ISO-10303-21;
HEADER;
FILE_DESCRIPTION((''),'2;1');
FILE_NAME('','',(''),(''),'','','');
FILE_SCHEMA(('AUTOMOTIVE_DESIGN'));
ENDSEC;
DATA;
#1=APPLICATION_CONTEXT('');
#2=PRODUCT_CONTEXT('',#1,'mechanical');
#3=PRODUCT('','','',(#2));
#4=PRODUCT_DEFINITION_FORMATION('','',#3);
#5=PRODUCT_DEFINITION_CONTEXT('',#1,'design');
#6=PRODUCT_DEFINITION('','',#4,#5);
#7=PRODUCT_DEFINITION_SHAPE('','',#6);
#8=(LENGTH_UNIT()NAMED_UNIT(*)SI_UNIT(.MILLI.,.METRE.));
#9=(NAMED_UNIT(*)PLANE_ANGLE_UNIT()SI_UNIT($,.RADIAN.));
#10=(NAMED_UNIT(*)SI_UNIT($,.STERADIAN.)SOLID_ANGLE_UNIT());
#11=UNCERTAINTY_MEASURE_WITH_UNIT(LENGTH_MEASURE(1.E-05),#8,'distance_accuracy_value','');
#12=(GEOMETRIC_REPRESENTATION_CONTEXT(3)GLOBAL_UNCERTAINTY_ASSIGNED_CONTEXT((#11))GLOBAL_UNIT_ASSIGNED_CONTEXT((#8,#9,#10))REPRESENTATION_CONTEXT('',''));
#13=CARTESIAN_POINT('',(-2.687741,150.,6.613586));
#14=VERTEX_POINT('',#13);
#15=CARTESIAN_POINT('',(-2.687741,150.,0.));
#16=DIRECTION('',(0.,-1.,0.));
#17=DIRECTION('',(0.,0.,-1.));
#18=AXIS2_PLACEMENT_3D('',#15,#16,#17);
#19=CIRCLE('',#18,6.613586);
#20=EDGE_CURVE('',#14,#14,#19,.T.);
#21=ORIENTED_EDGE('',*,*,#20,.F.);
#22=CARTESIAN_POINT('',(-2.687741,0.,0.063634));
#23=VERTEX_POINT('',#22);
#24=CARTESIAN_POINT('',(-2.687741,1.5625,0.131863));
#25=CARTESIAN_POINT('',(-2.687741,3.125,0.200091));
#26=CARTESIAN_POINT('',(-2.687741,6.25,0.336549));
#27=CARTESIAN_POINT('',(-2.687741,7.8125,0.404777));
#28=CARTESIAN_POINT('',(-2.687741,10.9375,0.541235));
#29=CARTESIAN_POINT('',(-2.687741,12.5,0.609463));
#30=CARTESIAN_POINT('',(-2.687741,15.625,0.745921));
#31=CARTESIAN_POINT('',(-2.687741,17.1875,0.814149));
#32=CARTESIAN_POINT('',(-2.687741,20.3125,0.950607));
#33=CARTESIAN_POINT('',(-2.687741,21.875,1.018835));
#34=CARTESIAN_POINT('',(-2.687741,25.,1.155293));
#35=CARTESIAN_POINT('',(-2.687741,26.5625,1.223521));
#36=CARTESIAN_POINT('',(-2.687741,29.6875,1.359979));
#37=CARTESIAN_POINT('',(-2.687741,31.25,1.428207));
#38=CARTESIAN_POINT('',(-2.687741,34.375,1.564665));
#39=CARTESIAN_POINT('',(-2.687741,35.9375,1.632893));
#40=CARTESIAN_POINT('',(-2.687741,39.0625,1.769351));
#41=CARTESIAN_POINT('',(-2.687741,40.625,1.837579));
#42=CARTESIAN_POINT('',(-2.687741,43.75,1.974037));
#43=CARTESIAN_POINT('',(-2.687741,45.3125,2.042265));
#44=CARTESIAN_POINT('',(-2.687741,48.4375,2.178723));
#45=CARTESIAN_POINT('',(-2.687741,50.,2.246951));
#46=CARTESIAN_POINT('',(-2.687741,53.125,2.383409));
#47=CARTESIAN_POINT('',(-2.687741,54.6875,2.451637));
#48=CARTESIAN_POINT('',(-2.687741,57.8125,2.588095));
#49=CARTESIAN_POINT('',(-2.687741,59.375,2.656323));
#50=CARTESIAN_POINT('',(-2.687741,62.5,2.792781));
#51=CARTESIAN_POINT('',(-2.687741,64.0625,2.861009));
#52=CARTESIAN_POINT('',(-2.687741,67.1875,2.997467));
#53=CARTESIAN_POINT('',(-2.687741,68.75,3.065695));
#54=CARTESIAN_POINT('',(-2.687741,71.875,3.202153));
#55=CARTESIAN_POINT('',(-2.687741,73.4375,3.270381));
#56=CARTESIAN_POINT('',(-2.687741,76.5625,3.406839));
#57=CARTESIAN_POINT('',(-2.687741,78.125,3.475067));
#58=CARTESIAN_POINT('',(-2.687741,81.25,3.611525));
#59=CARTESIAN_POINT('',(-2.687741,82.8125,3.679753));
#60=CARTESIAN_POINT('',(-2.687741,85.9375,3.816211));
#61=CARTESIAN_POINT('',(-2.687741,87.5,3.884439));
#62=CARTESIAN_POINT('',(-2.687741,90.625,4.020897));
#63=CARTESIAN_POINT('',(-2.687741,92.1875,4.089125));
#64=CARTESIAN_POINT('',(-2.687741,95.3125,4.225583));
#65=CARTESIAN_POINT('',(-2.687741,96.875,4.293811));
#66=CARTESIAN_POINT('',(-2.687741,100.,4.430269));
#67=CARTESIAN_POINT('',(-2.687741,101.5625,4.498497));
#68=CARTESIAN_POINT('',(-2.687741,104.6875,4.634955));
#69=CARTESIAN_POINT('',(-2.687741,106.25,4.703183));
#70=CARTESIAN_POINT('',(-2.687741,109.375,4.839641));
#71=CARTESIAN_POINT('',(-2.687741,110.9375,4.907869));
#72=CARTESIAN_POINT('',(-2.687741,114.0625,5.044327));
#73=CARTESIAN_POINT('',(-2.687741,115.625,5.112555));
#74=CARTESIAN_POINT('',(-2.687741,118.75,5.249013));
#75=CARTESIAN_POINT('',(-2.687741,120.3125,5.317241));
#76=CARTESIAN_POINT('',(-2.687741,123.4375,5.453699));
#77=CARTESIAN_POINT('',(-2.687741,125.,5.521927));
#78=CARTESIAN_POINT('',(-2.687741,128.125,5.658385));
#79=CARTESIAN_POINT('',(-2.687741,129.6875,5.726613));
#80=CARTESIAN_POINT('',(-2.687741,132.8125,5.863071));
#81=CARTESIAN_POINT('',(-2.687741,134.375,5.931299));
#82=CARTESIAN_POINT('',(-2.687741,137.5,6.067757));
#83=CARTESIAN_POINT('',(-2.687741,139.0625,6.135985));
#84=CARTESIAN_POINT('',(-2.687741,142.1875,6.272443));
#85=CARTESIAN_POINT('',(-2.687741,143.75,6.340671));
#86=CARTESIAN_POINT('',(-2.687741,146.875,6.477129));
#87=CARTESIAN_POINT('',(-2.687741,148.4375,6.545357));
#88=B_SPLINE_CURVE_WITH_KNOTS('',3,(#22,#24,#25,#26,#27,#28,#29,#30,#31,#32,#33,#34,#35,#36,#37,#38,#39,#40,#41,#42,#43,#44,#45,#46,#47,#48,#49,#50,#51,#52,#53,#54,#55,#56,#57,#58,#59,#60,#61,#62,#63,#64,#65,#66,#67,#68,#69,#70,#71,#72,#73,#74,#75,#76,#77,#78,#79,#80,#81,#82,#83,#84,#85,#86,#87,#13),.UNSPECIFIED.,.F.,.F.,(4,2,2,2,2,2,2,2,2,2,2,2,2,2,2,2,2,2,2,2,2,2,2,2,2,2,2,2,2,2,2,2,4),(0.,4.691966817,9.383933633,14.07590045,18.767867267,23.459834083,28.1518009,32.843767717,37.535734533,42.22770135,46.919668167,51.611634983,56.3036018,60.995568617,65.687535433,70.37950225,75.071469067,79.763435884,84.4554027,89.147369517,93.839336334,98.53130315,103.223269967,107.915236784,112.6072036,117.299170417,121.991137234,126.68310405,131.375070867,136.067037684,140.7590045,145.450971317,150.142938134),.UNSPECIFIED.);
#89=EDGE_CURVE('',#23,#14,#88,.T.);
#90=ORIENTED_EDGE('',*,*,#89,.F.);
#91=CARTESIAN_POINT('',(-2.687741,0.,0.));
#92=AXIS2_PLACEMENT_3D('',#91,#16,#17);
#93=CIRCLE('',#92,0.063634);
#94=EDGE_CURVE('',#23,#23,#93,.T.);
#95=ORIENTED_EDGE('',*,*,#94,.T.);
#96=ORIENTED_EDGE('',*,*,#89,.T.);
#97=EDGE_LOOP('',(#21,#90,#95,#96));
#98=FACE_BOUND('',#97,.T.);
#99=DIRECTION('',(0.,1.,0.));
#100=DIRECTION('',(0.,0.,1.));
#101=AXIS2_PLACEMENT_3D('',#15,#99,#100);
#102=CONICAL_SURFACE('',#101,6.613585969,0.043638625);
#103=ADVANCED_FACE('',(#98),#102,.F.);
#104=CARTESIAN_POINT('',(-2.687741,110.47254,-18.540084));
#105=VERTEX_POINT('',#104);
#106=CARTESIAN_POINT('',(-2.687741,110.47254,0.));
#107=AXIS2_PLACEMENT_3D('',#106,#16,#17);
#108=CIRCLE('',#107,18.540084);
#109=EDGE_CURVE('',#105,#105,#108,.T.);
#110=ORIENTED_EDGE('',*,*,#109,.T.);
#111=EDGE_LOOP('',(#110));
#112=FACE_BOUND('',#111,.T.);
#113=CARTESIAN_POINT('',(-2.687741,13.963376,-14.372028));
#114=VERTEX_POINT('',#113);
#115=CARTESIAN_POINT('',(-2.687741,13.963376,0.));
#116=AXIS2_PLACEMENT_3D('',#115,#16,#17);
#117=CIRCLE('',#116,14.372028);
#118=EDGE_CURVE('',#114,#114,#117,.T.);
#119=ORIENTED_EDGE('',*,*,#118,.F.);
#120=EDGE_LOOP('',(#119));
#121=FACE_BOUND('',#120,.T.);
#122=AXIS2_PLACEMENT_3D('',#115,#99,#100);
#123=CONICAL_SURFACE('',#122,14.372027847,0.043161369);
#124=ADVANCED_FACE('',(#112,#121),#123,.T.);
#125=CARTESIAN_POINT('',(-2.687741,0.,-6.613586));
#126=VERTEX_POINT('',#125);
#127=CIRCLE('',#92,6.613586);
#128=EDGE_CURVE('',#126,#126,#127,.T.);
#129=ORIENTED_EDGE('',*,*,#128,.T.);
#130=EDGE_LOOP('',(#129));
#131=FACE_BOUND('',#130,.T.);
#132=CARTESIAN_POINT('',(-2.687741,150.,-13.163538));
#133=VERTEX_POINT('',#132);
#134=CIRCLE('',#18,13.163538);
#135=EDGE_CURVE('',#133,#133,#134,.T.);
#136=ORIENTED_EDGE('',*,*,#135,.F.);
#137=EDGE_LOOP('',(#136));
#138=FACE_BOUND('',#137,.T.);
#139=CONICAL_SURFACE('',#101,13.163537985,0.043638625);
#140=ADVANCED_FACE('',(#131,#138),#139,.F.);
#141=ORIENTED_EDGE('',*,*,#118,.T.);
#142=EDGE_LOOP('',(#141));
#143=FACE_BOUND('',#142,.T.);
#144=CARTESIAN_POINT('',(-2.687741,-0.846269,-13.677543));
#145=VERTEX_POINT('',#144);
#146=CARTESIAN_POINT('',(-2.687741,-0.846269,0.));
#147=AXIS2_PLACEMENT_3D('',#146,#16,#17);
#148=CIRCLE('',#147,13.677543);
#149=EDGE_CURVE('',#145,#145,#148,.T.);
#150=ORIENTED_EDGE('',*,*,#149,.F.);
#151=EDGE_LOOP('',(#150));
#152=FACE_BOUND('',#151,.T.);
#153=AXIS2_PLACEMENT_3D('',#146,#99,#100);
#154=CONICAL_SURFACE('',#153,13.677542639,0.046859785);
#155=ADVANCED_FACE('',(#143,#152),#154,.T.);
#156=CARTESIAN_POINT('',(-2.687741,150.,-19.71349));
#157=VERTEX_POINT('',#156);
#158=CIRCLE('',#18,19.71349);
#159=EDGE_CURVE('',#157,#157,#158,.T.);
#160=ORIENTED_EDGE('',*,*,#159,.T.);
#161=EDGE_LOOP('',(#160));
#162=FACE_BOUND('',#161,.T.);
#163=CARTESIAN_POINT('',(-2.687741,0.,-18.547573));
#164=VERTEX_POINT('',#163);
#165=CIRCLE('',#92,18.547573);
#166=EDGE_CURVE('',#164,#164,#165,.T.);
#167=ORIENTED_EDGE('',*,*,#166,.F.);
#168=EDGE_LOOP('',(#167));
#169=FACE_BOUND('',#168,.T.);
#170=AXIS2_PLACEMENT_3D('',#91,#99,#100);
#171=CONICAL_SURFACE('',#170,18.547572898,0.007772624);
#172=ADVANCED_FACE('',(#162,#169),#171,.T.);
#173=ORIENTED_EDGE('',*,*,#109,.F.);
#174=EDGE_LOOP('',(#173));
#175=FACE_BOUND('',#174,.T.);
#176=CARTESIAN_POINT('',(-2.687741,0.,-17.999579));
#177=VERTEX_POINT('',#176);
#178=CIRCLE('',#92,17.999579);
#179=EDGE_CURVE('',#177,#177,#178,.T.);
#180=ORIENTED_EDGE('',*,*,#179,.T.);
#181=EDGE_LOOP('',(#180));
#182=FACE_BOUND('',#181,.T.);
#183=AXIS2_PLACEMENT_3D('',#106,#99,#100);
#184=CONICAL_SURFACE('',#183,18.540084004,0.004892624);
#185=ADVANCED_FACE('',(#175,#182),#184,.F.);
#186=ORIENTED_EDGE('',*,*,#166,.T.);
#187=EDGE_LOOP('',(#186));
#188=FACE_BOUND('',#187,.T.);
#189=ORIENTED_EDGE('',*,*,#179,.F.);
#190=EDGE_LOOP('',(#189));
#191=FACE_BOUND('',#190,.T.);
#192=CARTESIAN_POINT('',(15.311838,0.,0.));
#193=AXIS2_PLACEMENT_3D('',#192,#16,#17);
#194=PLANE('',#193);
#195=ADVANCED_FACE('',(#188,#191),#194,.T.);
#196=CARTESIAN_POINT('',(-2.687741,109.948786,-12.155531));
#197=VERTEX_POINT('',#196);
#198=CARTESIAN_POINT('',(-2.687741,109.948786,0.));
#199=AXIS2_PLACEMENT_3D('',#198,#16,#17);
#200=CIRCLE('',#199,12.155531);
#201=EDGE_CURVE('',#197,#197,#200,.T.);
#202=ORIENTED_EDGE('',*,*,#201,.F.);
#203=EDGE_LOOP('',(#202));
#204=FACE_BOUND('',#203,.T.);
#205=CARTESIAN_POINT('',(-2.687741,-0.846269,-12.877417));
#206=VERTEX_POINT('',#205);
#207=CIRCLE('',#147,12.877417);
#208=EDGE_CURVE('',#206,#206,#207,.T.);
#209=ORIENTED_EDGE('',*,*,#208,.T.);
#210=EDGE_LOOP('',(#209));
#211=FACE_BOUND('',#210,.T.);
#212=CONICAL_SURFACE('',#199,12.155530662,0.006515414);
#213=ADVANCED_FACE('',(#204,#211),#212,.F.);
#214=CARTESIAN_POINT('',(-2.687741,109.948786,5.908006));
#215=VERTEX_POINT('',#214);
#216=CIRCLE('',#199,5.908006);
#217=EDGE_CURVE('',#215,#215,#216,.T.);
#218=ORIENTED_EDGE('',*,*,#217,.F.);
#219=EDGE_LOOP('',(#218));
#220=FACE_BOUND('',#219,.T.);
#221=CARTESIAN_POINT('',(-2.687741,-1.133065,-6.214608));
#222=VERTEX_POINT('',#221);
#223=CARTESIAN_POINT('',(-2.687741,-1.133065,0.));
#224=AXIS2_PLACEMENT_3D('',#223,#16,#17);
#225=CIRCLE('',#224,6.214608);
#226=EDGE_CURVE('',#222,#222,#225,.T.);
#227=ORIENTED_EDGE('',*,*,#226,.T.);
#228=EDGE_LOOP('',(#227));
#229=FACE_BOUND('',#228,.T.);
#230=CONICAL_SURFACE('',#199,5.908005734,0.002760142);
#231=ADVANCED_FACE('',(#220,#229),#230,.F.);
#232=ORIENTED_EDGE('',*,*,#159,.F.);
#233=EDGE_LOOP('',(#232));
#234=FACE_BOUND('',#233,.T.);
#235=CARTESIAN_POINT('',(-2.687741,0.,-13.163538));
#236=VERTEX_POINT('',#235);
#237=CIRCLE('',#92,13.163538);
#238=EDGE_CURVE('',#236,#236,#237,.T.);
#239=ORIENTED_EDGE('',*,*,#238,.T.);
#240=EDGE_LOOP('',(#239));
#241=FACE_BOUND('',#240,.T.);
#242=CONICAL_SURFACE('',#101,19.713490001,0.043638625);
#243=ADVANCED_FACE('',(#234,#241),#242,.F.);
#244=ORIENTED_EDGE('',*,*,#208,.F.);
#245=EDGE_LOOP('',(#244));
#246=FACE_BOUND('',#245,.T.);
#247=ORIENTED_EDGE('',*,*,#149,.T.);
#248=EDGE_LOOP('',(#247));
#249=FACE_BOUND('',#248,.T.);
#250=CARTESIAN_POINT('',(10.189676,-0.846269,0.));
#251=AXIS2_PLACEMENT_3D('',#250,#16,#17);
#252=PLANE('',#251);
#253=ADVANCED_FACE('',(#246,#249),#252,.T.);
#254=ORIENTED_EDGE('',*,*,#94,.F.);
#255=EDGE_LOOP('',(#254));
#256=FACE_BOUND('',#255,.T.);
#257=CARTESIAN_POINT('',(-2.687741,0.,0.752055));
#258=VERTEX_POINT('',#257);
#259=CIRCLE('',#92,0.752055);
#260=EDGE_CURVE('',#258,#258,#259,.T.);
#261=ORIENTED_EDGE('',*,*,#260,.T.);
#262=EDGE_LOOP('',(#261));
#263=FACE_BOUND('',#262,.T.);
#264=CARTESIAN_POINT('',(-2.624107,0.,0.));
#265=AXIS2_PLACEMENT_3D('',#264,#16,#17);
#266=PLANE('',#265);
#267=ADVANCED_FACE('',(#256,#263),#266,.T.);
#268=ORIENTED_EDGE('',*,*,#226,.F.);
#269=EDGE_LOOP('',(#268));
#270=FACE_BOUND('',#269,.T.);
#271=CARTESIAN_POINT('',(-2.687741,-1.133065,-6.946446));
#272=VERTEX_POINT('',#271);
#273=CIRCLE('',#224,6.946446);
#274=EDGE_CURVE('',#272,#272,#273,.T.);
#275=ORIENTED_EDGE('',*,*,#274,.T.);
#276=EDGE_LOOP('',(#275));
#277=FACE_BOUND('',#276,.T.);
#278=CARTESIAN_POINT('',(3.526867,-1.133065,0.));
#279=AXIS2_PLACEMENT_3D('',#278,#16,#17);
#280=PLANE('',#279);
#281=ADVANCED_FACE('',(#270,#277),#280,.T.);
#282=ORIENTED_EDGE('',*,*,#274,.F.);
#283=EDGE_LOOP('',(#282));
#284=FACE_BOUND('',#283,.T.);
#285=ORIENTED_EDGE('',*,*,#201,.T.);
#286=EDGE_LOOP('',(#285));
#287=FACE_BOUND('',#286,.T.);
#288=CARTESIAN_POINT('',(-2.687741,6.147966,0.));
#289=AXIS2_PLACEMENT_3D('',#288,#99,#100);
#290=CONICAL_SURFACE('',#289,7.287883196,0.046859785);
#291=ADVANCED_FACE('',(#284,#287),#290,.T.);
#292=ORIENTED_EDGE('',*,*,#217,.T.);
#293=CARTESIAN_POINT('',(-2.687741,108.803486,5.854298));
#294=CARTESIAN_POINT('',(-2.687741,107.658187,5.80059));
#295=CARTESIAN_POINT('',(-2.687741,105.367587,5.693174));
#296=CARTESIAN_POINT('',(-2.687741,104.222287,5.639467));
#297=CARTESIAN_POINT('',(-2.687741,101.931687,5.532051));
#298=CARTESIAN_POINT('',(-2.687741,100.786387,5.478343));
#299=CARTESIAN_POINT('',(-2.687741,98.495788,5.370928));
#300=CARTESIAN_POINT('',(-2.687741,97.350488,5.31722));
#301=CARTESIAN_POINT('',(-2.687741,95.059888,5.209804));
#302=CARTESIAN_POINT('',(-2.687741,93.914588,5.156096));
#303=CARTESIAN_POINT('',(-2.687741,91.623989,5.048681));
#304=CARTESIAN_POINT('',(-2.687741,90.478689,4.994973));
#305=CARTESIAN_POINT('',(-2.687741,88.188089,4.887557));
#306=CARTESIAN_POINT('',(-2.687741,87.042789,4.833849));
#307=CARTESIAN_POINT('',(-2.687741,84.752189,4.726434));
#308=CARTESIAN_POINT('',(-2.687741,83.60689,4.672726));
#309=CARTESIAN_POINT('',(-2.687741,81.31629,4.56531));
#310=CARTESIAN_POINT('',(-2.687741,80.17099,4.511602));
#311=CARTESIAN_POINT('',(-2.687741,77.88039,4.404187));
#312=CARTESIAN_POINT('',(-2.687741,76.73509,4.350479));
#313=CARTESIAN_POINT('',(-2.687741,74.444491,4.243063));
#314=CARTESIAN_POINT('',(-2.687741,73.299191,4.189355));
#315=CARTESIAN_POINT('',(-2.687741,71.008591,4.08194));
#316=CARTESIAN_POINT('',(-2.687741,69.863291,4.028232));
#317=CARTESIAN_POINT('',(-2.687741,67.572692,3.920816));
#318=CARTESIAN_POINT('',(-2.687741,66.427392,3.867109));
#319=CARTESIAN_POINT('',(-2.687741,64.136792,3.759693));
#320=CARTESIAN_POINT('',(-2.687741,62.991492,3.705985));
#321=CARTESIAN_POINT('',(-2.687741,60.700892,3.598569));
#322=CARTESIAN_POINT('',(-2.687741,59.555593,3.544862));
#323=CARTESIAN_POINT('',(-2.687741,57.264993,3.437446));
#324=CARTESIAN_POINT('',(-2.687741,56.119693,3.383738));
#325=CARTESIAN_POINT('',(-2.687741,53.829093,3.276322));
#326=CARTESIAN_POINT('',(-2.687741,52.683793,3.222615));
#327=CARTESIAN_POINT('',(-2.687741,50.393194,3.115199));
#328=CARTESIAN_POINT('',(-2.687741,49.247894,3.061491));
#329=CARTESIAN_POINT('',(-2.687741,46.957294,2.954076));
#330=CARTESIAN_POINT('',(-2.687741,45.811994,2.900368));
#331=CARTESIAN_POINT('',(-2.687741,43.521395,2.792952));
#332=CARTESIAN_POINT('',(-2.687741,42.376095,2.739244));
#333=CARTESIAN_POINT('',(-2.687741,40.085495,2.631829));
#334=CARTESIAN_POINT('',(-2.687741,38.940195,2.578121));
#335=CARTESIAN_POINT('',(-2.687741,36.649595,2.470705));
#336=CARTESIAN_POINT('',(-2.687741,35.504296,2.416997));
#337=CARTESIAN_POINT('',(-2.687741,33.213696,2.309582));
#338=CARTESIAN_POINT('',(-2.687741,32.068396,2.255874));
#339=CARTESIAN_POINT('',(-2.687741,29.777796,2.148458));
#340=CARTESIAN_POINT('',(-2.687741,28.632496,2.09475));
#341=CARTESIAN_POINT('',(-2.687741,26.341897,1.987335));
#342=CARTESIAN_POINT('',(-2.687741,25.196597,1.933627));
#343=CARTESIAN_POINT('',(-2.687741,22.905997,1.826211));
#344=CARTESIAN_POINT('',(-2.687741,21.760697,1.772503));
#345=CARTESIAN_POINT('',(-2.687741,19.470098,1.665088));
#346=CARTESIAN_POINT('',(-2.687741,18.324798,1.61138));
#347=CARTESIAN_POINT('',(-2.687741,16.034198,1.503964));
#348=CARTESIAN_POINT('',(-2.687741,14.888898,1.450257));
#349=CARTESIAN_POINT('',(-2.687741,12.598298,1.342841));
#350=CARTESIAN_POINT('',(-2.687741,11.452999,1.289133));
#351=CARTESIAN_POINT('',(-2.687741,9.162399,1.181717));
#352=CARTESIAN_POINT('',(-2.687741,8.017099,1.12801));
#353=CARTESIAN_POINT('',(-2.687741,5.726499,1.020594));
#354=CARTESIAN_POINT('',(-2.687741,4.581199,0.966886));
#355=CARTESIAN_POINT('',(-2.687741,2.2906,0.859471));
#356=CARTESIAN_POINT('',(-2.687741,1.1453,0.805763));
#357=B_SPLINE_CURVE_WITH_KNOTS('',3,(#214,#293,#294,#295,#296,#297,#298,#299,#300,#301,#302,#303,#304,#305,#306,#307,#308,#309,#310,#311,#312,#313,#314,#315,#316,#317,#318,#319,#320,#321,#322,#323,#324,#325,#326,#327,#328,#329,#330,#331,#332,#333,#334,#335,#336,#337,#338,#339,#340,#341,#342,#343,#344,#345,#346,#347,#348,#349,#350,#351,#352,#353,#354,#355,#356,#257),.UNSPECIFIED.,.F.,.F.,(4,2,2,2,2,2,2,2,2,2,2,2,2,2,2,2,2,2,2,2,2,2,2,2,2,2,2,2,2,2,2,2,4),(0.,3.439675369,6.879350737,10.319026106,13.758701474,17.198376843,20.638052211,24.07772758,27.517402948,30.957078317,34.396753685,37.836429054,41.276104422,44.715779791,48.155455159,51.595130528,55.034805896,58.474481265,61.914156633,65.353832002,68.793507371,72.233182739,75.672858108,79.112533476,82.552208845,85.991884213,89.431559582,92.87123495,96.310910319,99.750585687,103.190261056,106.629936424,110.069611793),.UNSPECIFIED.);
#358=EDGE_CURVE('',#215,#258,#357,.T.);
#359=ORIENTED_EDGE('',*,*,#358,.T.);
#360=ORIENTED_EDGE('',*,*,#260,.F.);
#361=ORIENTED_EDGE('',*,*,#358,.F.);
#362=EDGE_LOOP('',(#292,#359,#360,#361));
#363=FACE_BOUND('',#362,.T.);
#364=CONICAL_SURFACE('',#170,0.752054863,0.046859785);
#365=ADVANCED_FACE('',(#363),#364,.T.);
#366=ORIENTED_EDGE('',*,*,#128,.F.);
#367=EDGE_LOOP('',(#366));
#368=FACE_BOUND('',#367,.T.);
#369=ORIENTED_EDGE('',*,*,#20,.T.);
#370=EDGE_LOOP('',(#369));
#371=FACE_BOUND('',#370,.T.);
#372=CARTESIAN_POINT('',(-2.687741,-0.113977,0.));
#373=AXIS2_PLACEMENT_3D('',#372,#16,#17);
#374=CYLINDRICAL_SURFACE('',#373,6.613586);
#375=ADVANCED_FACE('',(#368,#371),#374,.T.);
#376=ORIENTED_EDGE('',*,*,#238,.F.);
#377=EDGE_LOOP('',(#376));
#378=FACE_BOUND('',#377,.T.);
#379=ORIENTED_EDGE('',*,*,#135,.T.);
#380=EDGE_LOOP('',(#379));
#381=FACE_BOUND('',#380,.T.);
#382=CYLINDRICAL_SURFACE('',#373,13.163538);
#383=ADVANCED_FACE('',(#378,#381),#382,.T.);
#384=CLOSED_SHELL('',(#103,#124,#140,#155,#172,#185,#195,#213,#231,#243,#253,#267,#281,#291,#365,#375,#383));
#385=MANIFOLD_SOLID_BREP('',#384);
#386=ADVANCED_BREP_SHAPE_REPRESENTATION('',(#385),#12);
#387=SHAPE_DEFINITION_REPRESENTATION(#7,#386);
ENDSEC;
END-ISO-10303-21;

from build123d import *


with BuildPart() as part:
    # Эскиз1 → Повернуть1 (revolve)
    with BuildSketch(Plane.XY, mode=Mode.PRIVATE) as revolve_1_sk:
        Polygon((-2.624106939, 0), (3.925845078, 150), (3.925845078, 0), (10.475797094, 150), (10.475797094, 0), (17.02574911, 150), (15.859832007, 0), (15.311838216, 0), (15.852343113, 110.47254002), (11.684286956, 13.963376462), (10.989801748, -0.846269258), (10.189675666, -0.846269258), (9.467789771, 109.948786309), (4.600142305, 6.147965775), (4.258704841, -1.133064573), (3.526867258, -1.133064573), (3.220264843, 109.948786309), (-1.935686028, 0), align=None)
    revolve(revolve_1_sk.sketch.rotate(Axis((-2.687740891, -0.11397744, 0), (0, 1, 0)), 90), axis=Axis((-2.687740891, -0.11397744, 0), (0, 1, 0)))


solid = part.part
